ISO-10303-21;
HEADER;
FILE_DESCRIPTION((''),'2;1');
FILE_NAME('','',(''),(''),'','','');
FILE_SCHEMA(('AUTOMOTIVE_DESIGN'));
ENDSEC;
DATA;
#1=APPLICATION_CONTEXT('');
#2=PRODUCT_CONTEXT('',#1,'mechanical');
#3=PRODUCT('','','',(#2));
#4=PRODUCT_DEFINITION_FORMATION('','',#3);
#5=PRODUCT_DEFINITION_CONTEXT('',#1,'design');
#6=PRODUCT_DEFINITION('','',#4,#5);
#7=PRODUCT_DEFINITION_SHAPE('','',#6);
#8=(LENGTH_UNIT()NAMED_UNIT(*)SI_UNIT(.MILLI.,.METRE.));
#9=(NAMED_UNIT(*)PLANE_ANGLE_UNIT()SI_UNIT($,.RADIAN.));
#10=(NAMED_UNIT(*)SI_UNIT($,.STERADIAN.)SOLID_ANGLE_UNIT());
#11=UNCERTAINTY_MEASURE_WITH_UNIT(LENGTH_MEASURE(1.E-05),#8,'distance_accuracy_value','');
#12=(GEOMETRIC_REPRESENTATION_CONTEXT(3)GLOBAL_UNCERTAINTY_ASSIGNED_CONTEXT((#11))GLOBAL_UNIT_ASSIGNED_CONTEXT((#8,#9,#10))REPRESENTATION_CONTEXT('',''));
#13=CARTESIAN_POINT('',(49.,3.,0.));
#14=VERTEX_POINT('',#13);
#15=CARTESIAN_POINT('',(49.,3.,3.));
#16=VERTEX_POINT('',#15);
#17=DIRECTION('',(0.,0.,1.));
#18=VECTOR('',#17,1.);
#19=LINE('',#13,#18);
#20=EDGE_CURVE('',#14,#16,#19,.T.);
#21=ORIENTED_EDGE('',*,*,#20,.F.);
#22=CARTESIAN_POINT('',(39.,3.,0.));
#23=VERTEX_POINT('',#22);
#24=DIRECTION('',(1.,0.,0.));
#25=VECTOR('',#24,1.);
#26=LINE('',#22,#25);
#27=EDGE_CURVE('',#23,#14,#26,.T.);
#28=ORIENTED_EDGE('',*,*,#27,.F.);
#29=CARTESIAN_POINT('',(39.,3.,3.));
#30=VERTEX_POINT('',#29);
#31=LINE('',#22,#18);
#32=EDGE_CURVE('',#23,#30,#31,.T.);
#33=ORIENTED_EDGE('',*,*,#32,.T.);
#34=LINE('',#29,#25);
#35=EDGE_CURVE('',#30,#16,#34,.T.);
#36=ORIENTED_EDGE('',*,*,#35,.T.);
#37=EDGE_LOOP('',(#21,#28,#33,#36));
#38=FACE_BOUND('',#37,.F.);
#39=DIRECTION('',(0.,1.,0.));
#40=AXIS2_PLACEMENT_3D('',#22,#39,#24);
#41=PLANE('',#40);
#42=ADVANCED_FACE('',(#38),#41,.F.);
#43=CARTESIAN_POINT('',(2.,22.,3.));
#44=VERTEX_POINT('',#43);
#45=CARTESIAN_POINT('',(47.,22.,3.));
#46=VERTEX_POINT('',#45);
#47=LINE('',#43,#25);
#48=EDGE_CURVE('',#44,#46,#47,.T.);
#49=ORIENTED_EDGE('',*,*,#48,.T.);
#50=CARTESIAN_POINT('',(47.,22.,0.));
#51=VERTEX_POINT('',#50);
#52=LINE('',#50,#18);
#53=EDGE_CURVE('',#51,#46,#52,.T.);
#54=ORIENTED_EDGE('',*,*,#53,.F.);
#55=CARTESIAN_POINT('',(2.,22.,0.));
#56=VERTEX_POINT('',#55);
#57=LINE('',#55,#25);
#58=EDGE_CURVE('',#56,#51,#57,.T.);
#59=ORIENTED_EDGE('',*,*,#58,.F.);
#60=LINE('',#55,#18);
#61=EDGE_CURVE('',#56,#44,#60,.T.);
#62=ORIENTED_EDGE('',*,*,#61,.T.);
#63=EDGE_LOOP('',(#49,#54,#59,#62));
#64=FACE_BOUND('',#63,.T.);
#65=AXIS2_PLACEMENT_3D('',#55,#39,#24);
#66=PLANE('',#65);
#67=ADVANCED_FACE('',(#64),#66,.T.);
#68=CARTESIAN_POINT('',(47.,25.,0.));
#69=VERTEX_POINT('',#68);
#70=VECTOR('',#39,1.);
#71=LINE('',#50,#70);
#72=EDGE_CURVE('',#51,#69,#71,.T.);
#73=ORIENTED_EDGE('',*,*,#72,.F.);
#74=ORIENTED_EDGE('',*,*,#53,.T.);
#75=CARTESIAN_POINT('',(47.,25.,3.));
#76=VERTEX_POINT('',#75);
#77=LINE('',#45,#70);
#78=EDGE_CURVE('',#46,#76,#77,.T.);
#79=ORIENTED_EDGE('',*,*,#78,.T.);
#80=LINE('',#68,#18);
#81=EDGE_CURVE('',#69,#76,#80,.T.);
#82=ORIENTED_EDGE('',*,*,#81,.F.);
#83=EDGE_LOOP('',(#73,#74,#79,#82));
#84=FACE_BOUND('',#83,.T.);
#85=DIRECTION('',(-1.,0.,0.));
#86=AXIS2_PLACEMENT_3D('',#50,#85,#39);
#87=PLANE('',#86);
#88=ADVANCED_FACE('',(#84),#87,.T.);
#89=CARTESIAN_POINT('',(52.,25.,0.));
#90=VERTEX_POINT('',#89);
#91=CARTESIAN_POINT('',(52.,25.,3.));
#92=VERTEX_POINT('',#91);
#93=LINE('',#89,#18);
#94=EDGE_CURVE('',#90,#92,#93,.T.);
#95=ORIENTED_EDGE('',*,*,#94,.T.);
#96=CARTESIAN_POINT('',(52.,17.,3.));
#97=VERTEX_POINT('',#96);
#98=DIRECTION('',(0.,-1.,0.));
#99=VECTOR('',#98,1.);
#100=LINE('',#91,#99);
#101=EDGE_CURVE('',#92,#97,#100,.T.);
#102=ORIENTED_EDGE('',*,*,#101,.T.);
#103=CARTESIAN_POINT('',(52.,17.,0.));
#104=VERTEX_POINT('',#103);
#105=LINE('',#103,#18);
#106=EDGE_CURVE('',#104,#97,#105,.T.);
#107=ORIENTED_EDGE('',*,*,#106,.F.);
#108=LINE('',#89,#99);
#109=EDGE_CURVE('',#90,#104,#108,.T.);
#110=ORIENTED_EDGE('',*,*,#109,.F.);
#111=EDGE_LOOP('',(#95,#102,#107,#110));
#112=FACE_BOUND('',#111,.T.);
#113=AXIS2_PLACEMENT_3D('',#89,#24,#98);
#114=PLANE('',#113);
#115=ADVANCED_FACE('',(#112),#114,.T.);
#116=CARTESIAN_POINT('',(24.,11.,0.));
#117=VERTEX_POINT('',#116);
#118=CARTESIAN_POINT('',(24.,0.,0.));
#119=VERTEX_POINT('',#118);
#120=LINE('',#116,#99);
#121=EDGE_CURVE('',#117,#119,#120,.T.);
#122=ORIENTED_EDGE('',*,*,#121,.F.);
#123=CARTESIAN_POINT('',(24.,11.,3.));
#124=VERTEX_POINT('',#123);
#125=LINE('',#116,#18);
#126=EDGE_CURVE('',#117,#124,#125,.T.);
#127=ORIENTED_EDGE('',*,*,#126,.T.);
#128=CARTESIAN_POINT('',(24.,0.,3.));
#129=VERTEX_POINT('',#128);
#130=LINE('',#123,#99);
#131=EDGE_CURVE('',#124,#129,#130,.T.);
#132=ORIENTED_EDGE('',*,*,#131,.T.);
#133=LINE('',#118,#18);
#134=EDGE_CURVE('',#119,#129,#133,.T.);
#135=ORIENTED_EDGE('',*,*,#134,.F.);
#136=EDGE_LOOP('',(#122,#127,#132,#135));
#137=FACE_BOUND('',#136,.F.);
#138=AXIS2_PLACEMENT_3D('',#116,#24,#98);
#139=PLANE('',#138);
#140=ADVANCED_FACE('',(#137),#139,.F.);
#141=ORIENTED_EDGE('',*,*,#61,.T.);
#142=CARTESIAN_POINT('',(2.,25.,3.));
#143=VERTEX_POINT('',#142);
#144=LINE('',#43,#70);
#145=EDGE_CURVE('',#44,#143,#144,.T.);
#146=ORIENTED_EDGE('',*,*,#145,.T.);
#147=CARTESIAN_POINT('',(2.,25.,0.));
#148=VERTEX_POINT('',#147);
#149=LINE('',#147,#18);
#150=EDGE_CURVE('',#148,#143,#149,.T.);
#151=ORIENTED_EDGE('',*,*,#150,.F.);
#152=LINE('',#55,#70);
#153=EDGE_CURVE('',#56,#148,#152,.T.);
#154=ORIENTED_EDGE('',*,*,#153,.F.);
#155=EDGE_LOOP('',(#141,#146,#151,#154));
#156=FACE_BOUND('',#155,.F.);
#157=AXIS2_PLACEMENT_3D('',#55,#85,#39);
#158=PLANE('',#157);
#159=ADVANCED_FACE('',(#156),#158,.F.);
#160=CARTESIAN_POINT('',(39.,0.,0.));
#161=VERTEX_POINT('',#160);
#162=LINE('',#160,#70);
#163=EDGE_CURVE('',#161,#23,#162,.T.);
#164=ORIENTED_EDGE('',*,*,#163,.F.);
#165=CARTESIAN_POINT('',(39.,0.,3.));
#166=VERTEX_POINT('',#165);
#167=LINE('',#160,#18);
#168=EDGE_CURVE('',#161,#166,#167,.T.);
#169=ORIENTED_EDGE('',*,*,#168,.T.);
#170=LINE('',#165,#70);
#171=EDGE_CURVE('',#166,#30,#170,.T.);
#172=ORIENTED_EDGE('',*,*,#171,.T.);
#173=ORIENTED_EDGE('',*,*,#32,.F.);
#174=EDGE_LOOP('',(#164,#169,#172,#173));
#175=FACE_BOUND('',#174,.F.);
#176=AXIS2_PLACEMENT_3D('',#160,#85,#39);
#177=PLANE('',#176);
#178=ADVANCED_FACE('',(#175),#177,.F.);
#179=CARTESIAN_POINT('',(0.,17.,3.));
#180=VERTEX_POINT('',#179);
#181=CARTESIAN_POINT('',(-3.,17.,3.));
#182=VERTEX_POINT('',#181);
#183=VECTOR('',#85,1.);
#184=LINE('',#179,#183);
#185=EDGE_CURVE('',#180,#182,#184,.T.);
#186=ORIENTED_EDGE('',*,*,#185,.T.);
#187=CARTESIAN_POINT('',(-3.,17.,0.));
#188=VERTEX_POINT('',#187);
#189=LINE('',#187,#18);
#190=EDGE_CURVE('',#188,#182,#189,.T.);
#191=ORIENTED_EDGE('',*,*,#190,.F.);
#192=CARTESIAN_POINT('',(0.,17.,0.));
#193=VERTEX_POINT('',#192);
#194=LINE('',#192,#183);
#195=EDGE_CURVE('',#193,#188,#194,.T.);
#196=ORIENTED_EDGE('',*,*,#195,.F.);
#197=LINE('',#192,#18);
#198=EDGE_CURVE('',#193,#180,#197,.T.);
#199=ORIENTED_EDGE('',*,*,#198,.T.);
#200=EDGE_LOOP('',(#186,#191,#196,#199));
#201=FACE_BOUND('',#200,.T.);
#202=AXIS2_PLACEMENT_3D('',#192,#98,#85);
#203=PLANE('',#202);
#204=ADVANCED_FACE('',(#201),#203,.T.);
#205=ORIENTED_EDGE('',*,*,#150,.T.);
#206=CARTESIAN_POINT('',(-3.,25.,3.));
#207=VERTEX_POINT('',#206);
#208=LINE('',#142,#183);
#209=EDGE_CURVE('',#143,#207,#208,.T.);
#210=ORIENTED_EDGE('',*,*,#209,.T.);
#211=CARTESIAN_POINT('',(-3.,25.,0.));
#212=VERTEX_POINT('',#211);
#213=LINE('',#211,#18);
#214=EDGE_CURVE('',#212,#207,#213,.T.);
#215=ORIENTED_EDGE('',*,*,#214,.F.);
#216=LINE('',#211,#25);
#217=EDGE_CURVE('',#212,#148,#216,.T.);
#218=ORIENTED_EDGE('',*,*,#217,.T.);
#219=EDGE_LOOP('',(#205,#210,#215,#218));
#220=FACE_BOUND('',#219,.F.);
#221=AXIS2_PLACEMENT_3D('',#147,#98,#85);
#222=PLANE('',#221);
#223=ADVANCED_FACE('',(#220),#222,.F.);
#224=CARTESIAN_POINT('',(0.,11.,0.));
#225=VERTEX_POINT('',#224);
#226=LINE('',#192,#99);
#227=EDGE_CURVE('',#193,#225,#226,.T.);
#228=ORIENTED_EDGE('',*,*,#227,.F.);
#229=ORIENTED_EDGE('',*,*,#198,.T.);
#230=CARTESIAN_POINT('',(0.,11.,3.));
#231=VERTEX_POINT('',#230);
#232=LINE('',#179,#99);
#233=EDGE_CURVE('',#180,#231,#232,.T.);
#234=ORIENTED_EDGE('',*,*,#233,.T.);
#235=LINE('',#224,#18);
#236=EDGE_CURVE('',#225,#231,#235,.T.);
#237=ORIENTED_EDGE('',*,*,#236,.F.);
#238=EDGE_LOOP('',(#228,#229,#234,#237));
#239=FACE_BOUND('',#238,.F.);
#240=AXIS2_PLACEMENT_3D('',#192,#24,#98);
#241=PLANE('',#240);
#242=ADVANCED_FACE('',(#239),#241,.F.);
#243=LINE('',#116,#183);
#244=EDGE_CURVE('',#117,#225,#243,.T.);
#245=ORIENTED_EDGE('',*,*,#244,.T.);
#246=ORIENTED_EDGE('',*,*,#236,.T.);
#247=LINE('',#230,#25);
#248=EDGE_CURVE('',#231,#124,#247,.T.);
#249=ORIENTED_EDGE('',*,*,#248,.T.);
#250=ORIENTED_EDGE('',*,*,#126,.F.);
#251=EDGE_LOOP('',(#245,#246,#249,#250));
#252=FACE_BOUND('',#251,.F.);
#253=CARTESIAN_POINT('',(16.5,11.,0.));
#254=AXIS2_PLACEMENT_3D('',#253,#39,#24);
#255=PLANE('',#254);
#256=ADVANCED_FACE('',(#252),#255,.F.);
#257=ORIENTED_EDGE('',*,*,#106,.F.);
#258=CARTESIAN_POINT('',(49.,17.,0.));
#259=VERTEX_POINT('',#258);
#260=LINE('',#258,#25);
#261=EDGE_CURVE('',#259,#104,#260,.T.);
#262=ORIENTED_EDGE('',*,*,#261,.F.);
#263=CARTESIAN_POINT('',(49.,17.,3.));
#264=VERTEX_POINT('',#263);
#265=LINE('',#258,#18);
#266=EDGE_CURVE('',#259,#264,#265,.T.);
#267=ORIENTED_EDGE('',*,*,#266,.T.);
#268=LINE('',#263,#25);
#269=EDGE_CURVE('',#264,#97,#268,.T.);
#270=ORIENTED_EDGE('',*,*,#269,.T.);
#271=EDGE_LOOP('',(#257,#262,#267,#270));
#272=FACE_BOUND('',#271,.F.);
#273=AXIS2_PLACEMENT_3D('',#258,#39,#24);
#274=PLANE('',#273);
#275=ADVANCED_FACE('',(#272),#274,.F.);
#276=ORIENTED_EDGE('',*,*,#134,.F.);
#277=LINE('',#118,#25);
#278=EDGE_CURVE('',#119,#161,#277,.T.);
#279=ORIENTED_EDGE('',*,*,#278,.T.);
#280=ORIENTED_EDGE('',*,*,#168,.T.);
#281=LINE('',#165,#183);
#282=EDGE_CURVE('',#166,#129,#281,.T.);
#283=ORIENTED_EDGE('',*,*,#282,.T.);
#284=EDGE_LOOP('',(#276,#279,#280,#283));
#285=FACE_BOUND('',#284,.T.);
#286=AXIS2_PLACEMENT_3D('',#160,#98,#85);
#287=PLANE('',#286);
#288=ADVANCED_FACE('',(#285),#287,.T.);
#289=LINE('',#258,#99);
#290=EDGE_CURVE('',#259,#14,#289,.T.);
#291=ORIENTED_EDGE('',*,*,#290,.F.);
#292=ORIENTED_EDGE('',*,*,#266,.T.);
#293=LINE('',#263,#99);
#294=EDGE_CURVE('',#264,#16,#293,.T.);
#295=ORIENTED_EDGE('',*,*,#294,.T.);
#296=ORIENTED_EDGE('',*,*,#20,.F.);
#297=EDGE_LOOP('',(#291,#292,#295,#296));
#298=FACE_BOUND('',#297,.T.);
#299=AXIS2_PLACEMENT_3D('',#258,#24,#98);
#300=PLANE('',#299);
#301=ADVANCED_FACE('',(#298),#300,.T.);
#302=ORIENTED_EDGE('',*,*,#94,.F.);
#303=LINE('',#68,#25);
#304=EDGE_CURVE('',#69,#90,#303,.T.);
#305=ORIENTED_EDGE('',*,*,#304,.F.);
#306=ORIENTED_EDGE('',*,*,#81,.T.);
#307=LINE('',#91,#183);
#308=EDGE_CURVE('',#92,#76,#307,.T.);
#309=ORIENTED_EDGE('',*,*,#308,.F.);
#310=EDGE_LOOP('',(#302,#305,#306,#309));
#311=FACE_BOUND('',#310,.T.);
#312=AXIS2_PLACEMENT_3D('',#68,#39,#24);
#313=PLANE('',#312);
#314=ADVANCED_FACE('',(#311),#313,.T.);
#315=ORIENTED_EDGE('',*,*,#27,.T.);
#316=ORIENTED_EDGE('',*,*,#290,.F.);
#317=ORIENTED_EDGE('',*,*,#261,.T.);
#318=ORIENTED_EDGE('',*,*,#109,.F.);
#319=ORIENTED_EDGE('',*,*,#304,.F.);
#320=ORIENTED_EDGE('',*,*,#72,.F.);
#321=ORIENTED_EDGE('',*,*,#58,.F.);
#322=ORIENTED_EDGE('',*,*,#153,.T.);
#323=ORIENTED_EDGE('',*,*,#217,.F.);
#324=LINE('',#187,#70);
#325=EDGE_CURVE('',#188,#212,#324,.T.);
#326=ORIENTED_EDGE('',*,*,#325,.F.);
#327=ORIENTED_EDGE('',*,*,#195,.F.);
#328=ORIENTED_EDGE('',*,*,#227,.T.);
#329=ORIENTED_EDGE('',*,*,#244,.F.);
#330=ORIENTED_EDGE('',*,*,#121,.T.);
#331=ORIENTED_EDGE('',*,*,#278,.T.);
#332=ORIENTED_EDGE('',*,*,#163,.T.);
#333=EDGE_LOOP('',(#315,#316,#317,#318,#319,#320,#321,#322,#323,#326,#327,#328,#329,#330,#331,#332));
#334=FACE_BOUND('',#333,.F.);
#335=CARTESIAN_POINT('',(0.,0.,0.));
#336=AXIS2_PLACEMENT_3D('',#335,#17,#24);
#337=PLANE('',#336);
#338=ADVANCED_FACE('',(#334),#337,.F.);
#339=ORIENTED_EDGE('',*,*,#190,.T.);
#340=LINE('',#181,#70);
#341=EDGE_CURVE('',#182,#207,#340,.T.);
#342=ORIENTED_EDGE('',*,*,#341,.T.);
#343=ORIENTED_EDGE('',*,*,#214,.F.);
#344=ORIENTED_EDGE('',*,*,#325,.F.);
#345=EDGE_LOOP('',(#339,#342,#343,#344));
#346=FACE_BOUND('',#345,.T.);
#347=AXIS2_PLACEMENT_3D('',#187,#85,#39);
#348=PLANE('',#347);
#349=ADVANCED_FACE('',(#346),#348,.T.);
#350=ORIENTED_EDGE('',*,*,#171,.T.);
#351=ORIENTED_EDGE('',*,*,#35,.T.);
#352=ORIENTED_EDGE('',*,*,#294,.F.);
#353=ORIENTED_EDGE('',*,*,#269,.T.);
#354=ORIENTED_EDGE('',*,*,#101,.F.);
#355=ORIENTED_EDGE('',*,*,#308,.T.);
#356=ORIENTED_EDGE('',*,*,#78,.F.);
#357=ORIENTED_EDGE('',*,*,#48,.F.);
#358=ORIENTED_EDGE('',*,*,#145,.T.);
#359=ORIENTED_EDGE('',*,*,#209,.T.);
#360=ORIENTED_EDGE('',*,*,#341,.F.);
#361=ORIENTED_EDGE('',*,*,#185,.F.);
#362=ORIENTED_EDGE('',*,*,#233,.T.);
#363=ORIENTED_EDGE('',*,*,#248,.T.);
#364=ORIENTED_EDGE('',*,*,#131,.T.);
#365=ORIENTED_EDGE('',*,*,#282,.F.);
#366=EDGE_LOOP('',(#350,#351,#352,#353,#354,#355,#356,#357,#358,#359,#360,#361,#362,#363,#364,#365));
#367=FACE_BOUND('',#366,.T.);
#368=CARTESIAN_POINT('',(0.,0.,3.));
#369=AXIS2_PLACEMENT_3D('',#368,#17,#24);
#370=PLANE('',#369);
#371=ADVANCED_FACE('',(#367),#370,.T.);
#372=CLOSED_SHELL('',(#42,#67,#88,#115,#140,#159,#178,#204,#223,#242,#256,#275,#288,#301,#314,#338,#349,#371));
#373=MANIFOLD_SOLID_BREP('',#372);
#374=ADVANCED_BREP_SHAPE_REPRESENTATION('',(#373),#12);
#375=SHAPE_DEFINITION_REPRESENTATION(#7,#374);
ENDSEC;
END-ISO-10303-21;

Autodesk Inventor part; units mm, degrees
ref_plane "YZ Plane" through (0, 0, 0) normal (1, 0, 0) x (0, 1, 0)
ref_plane "XZ Plane" through (0, 0, 0) normal (0, 1, 0) x (-1, 0, 0)
ref_plane "XY Plane" through (0, 0, 0) normal (0, 0, 1) x (1, 0, 0)
sketch "Sketch1" plane through (0, 0, 0) normal (0, 0, 1) x (1, 0, 0)
  line L0 (39, 0) -> (25, 0) projected
  line L1 (25, 0) -> (24, 0) projected
  line L2 (24, 11) -> (24, 0) projected
  line L3 (16.5, 11) -> (24, 11) projected
  line L4 (-3, 11) -> (16.5, 11) projected
  line L5 (0, 17) -> (0, 25)
  line L6 (49, 25) -> (49, 17) projected
  line L7 (49, 17) -> (52, 17) projected
  line L8 (52, 25) -> (52, 17) projected
  line L9 (49, 25) -> (52, 25) projected
  line L10 (49, 17) -> (49, 0) projected
  line L11 (39, 3) -> (49, 3) projected
  line L12 (39, 0) -> (39, 3) projected
  line L13 (0, 17) -> (0, 11)
  line L14 (2, 22) -> (2, 25)
  line L15 (2, 25) -> (0, 25)
  line L16 (0, 25) -> (0, 20)
  line L17 (47, 22) -> (47, 25)
  line L18 (47, 25) -> (49, 25)
  line L19 (0, 17) -> (0, 25) projected
  line L20 (0, 25) -> (-3, 25) projected
  line L21 (-3, 17) -> (-3, 25) projected
  line L22 (0, 17) -> (-3, 17) projected
  line L23 (2, 22) -> (47, 22)
  point P0 (0, 0)
  dimension "d2" = 5
  dimension "d4" = 5
  dimension "d5" = 3
extrude "Extrusion1" add sketch "Sketch1" along normal blind 3
properties part number "SideBottomNM" material "Acrylic, Clear"
